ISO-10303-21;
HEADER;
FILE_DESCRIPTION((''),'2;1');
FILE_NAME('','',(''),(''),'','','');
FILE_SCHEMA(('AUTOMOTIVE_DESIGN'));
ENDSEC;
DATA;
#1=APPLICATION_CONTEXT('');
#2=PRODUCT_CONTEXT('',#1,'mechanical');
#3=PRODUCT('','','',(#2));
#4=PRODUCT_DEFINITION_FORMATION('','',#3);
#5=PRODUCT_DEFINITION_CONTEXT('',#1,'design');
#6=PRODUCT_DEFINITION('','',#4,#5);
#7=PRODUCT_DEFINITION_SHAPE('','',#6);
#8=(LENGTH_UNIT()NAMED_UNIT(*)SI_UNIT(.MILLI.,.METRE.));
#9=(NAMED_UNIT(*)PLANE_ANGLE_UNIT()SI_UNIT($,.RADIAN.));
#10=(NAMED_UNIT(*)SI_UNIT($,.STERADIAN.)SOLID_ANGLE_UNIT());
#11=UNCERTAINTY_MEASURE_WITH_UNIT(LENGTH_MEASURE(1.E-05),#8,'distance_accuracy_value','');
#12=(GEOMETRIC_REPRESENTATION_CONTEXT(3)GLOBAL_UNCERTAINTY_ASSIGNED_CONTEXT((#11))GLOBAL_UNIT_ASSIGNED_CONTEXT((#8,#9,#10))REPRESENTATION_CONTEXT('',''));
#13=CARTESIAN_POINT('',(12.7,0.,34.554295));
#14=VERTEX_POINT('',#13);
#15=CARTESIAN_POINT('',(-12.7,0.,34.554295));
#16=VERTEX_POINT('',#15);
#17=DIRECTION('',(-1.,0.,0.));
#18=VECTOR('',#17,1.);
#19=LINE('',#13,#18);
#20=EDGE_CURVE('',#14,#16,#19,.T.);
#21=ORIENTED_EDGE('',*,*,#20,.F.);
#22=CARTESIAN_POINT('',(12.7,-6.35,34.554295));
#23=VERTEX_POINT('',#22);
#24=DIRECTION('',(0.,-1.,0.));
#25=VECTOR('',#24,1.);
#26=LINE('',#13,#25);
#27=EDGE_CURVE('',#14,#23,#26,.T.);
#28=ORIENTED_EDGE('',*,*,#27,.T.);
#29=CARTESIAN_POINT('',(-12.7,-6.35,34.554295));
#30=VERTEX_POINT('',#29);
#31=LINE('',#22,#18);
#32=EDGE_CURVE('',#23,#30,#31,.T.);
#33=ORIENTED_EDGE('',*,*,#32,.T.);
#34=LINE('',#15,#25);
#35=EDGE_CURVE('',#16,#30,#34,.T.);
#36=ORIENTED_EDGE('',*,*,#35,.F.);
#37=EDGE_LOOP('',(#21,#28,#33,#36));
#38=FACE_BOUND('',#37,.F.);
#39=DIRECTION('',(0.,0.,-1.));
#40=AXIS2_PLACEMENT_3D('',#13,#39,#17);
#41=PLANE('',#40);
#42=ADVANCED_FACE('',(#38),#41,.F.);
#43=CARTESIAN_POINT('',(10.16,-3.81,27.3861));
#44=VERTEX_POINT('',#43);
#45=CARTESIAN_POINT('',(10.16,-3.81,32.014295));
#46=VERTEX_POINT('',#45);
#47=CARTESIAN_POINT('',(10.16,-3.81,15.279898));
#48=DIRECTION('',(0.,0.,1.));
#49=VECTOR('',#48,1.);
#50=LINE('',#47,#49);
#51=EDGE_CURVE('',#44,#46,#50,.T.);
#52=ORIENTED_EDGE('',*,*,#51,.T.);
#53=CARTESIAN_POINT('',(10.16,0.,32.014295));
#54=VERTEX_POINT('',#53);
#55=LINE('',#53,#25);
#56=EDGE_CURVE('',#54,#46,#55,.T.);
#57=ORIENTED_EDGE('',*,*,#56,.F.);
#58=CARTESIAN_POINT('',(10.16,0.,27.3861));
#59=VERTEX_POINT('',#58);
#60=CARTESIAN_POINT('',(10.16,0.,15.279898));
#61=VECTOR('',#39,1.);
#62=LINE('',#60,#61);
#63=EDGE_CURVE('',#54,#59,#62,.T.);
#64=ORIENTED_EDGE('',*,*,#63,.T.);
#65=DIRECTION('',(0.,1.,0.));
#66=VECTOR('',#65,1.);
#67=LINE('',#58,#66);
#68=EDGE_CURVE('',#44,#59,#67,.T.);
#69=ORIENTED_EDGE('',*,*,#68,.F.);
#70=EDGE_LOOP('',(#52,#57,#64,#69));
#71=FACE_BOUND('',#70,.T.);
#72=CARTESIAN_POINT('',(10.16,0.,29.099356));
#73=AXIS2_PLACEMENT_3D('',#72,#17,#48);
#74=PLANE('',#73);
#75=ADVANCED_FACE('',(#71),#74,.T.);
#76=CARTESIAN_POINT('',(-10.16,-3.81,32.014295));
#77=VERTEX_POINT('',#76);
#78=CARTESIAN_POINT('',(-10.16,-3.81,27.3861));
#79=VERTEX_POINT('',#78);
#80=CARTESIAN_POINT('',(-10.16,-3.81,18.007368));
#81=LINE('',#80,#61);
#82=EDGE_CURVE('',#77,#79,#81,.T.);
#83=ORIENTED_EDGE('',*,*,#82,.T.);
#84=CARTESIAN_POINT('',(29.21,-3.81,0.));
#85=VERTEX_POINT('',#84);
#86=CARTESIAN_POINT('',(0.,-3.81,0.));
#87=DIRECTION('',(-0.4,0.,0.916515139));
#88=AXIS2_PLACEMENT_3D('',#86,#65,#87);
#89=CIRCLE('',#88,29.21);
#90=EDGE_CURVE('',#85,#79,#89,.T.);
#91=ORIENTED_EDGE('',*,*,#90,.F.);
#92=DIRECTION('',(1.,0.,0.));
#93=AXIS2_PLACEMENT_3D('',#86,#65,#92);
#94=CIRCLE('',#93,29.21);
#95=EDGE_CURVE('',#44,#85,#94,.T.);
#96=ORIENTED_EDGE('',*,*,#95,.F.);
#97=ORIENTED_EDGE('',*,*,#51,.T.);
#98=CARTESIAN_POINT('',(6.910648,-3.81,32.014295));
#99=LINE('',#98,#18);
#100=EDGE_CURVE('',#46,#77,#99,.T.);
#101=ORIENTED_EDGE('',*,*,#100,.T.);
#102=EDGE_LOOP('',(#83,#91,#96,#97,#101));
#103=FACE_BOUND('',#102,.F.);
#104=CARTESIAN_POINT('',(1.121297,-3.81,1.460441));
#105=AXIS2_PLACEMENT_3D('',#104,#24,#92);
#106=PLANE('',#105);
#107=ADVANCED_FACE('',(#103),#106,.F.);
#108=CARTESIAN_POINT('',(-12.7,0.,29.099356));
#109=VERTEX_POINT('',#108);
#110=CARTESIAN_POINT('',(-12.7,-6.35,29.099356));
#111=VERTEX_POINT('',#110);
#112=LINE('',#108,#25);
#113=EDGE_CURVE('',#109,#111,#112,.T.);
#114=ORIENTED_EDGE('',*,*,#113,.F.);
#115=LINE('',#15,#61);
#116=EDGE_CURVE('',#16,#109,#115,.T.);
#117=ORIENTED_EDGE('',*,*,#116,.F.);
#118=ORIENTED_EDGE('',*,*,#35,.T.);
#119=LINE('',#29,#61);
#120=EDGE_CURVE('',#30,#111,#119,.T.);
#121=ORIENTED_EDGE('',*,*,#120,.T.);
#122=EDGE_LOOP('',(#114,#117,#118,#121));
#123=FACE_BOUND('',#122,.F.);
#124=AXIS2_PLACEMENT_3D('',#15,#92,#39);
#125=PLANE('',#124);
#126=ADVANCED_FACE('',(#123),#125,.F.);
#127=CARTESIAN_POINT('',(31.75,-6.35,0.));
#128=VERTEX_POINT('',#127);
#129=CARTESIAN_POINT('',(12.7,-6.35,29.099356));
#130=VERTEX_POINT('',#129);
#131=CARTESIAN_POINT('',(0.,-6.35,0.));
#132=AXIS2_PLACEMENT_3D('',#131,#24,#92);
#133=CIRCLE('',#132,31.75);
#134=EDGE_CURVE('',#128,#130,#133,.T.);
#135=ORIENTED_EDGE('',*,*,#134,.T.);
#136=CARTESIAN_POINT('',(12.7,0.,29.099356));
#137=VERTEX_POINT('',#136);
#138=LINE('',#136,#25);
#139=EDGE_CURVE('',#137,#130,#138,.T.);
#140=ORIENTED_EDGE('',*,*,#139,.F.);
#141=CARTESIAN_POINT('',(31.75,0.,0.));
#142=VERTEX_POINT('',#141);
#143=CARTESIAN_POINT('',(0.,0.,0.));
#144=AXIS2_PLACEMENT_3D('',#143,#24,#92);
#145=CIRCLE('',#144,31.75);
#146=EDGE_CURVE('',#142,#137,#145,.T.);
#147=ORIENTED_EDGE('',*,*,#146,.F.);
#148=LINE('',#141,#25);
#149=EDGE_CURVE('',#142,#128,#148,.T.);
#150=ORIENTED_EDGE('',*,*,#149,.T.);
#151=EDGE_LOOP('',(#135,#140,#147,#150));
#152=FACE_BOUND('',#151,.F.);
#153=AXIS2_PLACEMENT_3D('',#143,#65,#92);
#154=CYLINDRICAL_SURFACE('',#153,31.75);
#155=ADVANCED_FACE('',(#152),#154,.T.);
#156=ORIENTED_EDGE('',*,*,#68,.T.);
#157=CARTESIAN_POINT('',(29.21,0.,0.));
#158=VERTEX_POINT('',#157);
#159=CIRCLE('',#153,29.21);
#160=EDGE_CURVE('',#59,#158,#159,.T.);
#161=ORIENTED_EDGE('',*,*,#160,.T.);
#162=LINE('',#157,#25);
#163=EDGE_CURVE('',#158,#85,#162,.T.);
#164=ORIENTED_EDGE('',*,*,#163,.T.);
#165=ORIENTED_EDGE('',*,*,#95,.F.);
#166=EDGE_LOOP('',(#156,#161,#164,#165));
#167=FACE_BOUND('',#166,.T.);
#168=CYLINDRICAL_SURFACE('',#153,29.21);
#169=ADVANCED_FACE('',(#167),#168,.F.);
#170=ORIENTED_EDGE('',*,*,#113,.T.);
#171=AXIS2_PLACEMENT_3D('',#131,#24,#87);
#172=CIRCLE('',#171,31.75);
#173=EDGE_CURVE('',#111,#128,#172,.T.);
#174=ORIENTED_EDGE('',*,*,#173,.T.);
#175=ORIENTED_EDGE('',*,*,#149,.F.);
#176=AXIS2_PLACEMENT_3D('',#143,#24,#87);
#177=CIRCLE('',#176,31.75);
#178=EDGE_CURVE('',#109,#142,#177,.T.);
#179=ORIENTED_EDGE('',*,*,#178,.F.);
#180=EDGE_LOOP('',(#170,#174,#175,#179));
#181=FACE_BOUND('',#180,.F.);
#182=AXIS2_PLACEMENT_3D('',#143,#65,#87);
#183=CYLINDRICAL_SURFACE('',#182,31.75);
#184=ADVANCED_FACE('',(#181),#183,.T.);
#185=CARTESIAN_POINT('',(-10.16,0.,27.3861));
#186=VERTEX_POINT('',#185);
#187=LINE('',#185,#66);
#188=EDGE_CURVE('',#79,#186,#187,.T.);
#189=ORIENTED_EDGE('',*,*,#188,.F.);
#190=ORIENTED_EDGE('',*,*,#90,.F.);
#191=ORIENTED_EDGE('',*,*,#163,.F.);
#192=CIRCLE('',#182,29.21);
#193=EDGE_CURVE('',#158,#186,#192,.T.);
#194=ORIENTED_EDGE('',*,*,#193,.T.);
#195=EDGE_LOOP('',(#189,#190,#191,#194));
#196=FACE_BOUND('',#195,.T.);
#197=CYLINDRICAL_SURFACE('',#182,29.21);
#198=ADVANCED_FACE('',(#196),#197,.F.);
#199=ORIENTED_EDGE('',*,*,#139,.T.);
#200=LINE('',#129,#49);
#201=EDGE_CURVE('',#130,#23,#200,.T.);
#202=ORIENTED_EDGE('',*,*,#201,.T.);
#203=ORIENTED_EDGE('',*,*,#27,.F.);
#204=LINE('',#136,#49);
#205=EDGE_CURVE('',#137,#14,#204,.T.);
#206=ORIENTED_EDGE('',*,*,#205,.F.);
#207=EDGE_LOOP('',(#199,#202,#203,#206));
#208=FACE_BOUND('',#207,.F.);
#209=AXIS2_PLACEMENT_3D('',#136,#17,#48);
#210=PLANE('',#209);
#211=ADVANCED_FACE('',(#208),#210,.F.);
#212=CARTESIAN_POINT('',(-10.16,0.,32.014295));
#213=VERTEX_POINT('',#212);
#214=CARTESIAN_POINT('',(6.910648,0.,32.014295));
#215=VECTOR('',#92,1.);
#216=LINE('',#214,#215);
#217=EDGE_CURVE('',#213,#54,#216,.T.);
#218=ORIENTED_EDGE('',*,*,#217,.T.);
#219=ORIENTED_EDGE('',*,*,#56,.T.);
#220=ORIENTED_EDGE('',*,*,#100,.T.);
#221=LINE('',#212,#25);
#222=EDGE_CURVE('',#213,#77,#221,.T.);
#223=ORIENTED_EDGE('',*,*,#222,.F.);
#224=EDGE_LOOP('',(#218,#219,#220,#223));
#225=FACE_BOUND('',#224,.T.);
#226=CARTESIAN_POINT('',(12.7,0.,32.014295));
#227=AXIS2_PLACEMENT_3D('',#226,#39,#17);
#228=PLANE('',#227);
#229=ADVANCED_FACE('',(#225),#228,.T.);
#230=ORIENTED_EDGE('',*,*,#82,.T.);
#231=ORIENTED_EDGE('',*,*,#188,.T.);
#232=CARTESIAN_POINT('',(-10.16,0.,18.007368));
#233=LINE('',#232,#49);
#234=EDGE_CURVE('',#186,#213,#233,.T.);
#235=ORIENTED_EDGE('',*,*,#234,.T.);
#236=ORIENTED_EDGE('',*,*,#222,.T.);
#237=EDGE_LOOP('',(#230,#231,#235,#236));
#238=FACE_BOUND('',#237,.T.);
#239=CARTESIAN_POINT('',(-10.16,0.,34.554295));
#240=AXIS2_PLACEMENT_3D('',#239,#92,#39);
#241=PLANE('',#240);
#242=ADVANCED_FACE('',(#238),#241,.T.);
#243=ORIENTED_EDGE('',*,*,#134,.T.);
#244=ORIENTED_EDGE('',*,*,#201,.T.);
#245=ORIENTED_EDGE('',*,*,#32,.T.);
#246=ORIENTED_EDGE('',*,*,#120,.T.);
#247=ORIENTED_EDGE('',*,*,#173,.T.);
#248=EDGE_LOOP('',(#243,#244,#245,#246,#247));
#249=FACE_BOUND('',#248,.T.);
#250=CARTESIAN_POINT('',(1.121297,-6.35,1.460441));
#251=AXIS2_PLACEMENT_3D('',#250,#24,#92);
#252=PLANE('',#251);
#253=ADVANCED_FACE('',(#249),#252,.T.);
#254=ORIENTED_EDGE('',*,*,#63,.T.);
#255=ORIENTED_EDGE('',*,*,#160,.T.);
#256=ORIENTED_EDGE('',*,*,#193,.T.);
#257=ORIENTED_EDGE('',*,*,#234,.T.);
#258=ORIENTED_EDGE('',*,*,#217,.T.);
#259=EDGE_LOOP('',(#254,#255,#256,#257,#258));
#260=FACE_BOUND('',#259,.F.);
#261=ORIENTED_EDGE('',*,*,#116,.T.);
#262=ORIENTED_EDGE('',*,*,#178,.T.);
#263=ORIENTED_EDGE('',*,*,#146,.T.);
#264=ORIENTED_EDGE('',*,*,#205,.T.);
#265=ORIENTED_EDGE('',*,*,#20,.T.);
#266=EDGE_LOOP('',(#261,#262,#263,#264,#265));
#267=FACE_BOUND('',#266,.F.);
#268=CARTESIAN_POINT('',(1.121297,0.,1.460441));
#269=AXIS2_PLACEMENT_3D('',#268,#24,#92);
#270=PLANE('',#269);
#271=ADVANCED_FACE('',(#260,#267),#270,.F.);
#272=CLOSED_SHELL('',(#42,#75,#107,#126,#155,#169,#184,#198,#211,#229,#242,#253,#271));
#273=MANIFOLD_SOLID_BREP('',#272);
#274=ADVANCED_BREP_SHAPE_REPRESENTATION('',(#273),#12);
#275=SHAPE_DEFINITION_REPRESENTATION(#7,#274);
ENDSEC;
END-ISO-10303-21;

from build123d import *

# Parameters (mm, degrees)
F1_DEPTH = 6.35
F2_T     = -2.54


with BuildPart() as f1:
    # F0 (on Front) → F1 (new body)
    with BuildSketch(Plane.XZ):
        with BuildLine():
            ThreePointArc((-12.7, 29.099355663), (-17.3901912008, -26.5639558425), (31.75, 0))
            ThreePointArc((31.75, 0), (26.5639558425, 17.3901912008), (12.7, 29.099355663))
            Line((12.7, 29.099355663), (12.7, 28.9457047582))
            Line((12.7, 28.9457047582), (-12.7, 28.9457047582))
            Line((-12.7, 28.9457047582), (-12.7, 29.099355663))
        make_face()
        with BuildLine():
            Line((12.7, 28.9457047582), (12.7, 29.099355663))
            ThreePointArc((12.7, 29.099355663), (0, 31.75), (-12.7, 29.099355663))
            Line((-12.7, 29.099355663), (-12.7, 28.9457047582))
            Line((-12.7, 28.9457047582), (12.7, 28.9457047582))
        make_face()
        with BuildLine():
            ThreePointArc((-12.7, 29.099355663), (0, 31.75), (12.7, 29.099355663))
            Line((12.7, 29.099355663), (12.7, 34.5542952418))
            Line((12.7, 34.5542952418), (-12.7, 34.5542952418))
            Line((-12.7, 34.5542952418), (-12.7, 29.099355663))
        make_face()
    extrude(amount=F1_DEPTH)

    # F2
    f2_openings = [f1.faces().sort_by_distance(p)[0] for p in [
        (0, 0, 0.933743),
    ]]
    offset(amount=F2_T, openings=f2_openings, kind=Kind.INTERSECTION)


solid = f1.part
